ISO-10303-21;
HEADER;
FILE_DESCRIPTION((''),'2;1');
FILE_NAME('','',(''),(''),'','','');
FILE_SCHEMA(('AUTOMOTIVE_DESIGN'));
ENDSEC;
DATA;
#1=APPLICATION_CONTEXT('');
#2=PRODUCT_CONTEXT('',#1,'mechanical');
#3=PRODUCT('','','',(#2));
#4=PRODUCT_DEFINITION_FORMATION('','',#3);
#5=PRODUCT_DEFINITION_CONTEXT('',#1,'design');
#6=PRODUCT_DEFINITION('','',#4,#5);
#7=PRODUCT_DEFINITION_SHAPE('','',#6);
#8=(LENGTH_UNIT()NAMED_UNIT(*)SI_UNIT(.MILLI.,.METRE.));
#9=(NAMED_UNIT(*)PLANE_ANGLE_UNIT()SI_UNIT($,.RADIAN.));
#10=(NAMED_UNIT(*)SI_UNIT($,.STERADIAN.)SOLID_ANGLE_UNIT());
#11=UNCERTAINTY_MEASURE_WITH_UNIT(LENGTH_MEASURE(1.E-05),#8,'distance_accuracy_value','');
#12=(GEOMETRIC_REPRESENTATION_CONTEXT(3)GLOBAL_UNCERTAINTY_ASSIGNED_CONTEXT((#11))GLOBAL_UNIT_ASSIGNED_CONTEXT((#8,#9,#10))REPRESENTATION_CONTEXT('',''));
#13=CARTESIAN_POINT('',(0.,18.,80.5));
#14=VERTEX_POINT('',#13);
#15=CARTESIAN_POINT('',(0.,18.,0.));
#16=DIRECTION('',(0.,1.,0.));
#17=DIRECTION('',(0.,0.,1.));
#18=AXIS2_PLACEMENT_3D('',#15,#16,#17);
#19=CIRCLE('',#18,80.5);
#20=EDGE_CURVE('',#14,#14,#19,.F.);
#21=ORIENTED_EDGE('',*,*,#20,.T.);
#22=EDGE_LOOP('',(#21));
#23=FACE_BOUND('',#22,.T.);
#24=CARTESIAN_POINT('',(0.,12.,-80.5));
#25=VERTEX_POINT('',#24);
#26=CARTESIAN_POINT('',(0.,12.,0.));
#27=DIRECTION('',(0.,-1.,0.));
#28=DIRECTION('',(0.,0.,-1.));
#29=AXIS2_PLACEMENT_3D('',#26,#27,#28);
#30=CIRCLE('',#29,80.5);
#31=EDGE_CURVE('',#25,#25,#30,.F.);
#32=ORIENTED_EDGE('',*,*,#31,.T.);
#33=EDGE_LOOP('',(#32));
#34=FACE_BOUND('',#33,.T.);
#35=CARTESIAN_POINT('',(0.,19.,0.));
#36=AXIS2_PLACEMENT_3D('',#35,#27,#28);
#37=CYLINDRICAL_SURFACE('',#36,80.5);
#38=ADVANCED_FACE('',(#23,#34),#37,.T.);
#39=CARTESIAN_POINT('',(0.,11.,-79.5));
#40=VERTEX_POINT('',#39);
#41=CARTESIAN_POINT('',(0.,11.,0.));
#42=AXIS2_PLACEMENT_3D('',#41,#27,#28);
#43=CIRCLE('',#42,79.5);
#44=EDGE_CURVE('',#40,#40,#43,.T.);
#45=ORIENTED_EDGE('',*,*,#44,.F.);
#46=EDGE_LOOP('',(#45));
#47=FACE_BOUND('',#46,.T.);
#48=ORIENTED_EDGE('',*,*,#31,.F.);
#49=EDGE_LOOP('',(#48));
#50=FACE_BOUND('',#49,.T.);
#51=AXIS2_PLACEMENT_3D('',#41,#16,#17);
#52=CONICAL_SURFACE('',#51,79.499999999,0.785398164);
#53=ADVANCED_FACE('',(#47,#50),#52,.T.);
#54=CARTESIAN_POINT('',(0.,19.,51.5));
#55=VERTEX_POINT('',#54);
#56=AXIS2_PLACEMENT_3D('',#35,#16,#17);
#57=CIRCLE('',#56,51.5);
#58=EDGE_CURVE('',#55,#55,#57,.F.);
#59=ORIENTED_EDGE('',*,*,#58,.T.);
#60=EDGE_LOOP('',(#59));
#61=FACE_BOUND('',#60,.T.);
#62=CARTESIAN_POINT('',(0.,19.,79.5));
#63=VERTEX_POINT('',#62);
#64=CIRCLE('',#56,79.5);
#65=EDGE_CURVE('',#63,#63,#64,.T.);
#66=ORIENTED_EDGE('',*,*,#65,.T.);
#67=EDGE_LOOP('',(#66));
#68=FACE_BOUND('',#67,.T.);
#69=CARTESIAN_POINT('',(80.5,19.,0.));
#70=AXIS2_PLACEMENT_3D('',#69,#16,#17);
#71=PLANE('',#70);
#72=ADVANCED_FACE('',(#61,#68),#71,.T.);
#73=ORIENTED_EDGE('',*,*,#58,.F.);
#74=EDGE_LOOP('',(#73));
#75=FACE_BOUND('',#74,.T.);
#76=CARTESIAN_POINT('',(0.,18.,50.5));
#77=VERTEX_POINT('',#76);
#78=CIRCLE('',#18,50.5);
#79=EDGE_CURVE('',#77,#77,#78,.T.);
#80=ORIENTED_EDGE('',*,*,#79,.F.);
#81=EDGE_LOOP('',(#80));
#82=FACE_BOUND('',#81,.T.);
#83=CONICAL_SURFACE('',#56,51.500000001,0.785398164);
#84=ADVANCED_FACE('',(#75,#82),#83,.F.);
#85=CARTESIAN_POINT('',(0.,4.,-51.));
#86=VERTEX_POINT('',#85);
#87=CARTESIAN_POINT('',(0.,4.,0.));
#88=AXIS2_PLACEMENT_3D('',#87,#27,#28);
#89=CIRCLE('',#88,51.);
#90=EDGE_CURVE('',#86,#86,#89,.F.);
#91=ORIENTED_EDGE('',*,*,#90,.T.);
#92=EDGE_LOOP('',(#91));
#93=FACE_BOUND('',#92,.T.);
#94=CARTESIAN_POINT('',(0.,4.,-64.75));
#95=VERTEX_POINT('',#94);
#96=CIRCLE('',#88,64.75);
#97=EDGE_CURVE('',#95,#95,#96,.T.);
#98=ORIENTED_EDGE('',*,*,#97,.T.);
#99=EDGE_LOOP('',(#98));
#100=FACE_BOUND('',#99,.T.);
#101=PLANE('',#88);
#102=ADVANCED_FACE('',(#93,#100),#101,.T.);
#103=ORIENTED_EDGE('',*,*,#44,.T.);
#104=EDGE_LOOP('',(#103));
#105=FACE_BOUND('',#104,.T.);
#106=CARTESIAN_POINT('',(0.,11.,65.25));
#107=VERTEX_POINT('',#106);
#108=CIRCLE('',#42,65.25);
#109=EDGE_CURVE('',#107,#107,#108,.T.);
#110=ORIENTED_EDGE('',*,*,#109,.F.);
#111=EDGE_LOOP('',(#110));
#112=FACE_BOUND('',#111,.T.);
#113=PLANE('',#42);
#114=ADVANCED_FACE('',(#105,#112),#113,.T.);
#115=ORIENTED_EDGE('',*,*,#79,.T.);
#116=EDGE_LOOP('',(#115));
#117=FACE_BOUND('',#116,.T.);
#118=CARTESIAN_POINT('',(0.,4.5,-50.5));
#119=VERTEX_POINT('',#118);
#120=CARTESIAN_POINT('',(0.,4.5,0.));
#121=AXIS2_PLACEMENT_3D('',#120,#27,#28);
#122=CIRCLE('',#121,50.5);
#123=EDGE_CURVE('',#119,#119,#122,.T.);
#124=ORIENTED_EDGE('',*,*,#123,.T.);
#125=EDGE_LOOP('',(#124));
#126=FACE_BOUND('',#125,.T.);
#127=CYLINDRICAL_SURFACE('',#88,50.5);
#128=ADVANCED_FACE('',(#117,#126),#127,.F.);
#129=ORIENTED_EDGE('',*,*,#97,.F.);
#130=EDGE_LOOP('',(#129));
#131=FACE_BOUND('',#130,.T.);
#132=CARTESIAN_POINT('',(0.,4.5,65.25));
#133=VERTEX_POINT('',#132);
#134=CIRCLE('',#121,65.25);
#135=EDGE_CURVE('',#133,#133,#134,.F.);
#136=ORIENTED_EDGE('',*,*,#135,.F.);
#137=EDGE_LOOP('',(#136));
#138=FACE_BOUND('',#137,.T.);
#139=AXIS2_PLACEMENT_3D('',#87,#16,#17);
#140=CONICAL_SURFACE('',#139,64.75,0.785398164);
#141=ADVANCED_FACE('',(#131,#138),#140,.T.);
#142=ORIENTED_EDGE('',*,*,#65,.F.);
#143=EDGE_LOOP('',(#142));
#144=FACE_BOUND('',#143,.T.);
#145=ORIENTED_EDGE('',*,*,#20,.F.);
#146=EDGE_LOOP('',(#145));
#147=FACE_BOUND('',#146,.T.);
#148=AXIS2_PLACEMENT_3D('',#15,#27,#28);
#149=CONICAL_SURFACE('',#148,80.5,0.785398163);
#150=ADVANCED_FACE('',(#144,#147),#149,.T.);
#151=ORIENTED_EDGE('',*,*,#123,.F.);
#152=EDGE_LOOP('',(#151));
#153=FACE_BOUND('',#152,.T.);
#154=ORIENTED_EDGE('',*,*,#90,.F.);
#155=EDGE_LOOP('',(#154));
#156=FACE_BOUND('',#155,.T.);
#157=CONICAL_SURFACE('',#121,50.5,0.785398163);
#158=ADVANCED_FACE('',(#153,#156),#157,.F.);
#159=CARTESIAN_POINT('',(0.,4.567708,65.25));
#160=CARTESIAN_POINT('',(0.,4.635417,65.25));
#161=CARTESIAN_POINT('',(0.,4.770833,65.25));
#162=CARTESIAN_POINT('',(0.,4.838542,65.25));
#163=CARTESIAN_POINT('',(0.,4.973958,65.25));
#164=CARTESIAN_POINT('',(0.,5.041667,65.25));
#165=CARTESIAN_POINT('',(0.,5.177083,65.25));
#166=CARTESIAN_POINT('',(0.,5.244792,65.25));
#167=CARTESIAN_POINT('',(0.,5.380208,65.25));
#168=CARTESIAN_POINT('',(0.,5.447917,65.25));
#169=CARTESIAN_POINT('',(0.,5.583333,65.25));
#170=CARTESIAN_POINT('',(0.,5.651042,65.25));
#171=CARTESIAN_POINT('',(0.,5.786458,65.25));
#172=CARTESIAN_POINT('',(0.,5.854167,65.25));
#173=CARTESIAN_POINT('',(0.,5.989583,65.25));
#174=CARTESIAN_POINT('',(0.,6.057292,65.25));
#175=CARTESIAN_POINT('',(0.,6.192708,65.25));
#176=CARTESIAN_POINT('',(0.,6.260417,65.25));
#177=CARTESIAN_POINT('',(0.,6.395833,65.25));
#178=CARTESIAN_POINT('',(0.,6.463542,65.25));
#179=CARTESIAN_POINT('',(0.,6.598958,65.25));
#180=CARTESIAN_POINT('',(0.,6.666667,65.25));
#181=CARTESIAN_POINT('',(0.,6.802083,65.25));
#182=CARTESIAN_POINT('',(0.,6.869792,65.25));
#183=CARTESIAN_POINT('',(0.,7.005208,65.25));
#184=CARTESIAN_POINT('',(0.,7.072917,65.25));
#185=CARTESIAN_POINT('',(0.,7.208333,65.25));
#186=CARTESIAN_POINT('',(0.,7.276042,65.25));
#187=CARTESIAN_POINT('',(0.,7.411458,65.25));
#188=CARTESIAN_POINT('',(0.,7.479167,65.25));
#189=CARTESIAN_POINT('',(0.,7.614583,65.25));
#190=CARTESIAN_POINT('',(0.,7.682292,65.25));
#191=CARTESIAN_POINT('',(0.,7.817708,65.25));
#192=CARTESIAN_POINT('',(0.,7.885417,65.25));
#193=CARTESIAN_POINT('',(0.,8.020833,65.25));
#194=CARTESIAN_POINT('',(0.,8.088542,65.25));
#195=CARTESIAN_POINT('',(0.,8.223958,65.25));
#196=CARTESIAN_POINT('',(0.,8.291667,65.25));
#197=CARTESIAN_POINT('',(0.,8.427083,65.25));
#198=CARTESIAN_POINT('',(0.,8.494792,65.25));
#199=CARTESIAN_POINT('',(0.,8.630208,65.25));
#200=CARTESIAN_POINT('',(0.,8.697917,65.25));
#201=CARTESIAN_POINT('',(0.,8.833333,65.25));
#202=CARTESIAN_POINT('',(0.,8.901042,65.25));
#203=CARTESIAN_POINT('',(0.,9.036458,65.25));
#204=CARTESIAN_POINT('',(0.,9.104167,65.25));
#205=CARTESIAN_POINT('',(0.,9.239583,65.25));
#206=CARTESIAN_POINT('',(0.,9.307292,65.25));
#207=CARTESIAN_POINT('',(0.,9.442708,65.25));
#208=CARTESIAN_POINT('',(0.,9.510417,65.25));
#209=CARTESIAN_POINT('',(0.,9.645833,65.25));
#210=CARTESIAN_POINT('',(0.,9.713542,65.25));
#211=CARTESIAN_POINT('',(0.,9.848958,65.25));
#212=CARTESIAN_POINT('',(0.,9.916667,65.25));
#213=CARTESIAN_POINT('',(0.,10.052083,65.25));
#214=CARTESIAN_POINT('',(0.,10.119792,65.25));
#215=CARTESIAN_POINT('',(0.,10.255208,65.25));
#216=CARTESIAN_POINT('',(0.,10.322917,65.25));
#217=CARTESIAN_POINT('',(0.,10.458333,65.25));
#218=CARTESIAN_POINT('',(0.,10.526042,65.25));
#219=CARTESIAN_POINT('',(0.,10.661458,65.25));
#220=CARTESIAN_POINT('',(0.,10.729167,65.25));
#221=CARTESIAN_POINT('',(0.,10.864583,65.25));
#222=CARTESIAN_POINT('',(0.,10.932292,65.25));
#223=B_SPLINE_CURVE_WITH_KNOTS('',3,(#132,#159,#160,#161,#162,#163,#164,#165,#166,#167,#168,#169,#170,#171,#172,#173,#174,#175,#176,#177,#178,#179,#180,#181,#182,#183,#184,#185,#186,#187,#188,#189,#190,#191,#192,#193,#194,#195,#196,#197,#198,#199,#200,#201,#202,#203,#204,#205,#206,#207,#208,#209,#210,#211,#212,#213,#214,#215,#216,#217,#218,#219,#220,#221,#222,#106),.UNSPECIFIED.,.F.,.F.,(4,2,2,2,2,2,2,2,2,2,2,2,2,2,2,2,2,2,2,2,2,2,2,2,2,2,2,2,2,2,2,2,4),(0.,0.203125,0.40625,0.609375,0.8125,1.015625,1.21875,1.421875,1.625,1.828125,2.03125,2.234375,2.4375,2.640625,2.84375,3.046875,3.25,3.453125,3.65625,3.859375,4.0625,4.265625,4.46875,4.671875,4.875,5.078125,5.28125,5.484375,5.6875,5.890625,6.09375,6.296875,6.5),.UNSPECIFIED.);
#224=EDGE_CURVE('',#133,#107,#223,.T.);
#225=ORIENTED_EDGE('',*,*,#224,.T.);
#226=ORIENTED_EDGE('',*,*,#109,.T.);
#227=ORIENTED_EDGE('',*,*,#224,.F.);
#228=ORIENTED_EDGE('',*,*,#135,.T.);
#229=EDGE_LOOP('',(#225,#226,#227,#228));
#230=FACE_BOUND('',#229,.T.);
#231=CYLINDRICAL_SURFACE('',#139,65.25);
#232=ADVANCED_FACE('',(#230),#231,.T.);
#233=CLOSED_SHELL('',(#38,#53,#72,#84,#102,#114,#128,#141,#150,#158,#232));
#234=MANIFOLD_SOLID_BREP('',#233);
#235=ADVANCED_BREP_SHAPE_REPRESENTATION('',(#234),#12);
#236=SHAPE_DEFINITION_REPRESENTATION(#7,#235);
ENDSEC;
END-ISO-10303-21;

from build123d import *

# Parameters (mm, degrees)
SKETCH_1_W      = 80.5
SKETCH_1_H      = 8
SKETCH_2_R      = 65.25
EXTRUDE_1_DEPTH = 7
HOLE_WIZARD_3_D = 101
CHAMFER_1_SIZE  = 0.5
CHAMFER_2_SIZE2 = 1.000000001
CHAMFER_2_SIZE  = 0.999999999


with BuildPart() as part:
    # 草圖1 → 旋轉1 (revolve)
    with BuildSketch(Plane.XY, mode=Mode.PRIVATE) as revolve_1_sk:
        with Locations((40.25, 15)):
            Rectangle(SKETCH_1_W, SKETCH_1_H)
    revolve(revolve_1_sk.sketch.rotate(Axis((0, 19, 0), (0, -1, 0)), 270), axis=Axis((0, 19, 0), (0, -1, 0)))

    # 草圖2 → 填料-伸長1 (add)
    with BuildSketch(Plane.XZ.offset(-11)):
        with Locations(Location((0, 0, 0), (0, 0, 90))):
            Circle(SKETCH_2_R)
    extrude(amount=EXTRUDE_1_DEPTH)

    # 鑽孔3 (through all)
    with Locations(Plane(origin=(0, 4, 0), x_dir=(-1, 0, 0), z_dir=(0, -1, 0))):
        with Locations((0, 0)):
            Hole(HOLE_WIZARD_3_D / 2)

    # 導角1
    chamfer_1_edges = [part.edges().sort_by_distance(p)[0] for p in [
        (0, 4, -65.25),
        (-50.5, 4, 0),
    ]]
    chamfer(chamfer_1_edges, length=CHAMFER_1_SIZE)

    # 導角2
    chamfer_2_edges = [part.edges().sort_by_distance(p)[0] for p in [
        (-50.5, 19, 0),
        (0, 11, 80.5),
        (0, 19, 80.5),
    ]]
    chamfer(chamfer_2_edges, length=CHAMFER_2_SIZE, length2=CHAMFER_2_SIZE2)


solid = part.part
